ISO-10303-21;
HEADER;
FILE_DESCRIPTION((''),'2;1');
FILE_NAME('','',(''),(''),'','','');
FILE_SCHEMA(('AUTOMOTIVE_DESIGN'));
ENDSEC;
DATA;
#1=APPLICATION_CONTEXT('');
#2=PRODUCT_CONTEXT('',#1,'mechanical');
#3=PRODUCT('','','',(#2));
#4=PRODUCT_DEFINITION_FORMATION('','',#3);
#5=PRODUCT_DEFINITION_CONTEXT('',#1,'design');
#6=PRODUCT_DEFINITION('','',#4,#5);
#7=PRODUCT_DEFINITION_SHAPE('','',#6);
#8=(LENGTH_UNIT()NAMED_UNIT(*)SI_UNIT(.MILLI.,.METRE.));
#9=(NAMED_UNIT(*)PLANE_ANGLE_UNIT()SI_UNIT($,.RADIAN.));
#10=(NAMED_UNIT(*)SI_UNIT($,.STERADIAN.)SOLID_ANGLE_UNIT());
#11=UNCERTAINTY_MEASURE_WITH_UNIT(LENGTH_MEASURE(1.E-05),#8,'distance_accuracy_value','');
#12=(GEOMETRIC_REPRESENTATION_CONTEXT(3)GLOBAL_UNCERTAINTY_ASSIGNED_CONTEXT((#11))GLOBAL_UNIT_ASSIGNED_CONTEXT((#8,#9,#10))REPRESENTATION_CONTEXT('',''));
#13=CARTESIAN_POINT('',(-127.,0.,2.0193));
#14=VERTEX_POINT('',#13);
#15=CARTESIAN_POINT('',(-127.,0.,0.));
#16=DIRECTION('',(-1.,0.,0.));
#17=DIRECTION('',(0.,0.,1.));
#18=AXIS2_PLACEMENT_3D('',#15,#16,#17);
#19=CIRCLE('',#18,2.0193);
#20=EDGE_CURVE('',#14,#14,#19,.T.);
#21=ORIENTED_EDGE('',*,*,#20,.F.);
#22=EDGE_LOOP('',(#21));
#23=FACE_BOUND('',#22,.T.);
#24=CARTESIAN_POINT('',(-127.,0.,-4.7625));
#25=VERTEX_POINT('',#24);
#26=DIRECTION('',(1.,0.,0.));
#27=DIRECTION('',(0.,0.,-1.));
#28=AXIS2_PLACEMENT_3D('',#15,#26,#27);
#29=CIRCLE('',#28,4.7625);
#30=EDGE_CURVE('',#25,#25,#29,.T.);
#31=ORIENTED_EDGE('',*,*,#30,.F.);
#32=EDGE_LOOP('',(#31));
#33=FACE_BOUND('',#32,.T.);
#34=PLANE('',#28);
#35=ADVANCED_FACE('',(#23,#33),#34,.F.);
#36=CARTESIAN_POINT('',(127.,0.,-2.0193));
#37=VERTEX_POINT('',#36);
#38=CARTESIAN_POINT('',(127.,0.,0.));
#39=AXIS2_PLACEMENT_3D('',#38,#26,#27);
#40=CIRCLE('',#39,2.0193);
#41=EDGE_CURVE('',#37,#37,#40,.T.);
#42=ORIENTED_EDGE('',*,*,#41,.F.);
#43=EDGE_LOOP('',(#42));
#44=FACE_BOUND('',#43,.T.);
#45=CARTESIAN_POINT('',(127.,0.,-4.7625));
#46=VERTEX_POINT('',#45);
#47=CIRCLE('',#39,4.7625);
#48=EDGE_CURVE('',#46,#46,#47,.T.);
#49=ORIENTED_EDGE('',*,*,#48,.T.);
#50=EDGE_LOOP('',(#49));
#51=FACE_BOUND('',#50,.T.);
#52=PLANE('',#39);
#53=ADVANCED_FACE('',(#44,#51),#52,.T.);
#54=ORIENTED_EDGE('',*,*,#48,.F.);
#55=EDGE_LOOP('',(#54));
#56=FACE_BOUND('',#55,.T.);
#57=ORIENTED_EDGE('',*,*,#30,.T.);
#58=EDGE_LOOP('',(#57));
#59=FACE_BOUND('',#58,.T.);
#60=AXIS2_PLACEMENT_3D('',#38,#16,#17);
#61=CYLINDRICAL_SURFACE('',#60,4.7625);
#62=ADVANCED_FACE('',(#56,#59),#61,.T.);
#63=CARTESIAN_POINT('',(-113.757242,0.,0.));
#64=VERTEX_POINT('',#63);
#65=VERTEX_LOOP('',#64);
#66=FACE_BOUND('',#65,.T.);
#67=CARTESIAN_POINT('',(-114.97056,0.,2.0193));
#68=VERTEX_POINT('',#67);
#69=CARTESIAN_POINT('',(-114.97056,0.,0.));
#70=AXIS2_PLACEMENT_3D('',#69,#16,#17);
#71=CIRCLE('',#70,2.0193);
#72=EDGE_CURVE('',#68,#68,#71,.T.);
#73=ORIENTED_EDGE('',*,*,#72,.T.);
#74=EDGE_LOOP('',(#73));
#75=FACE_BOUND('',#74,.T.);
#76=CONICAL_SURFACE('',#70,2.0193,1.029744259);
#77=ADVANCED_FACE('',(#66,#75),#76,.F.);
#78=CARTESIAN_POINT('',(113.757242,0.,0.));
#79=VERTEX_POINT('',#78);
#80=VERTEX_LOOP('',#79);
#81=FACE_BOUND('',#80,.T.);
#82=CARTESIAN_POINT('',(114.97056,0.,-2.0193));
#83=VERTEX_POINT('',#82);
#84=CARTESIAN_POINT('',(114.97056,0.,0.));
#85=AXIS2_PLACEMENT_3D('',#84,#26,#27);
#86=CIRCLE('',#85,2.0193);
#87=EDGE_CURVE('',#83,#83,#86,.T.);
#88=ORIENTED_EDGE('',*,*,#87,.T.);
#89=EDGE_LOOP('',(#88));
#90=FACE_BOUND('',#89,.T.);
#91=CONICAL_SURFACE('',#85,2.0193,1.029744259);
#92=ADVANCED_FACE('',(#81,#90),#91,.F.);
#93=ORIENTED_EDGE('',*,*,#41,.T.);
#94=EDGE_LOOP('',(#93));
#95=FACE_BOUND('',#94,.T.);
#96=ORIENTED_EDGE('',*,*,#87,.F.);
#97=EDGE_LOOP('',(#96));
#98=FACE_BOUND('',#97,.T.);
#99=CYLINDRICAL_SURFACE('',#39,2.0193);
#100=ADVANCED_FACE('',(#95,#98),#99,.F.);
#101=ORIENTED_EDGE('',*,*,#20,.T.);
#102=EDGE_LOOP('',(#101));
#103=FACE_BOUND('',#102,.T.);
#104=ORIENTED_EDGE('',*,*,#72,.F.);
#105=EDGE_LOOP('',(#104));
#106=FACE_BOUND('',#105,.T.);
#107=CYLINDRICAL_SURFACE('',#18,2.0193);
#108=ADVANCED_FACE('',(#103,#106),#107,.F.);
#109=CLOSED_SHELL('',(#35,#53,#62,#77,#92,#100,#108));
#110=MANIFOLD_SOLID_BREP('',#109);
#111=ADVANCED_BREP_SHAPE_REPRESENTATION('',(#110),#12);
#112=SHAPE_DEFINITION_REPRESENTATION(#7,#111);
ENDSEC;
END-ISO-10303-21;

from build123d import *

# Parameters (mm, degrees)
SKETCH1_R                            = 4.7625
BOSS_EXTRUDE1_DEPTH                  = 127
F_10_32_TAPPED_HOLE1_D               = 4.0386
F_10_32_TAPPED_HOLE1_DEPTH           = 12.02944
F_10_32_TAPPED_HOLE1_TIP             = 1.213317848
F_10_32_TAPPED_HOLE1_ON_FACE_2_D     = 4.0386
F_10_32_TAPPED_HOLE1_ON_FACE_2_DEPTH = 12.02944
F_10_32_TAPPED_HOLE1_ON_FACE_2_TIP   = 1.213317848


with BuildPart() as part:
    # Sketch1 → Boss-Extrude1 (new, symmetric)
    with BuildSketch(Plane(origin=(0, 0, 0), x_dir=(0, 0, -1), z_dir=(1, 0, 0))):
        Circle(SKETCH1_R)
    extrude(amount=BOSS_EXTRUDE1_DEPTH, both=True)

    # #10-32 Tapped Hole1
    with Locations(Plane(origin=(127, 0, 0), x_dir=(0, 0, 1), z_dir=(1, 0, 0))):
        with Locations((0, 0)):
            Hole(F_10_32_TAPPED_HOLE1_D / 2, depth=F_10_32_TAPPED_HOLE1_DEPTH)
            with Locations((0, 0, -(F_10_32_TAPPED_HOLE1_DEPTH + F_10_32_TAPPED_HOLE1_TIP / 2))):  # 118° drill point
                Cone(0, F_10_32_TAPPED_HOLE1_D / 2, F_10_32_TAPPED_HOLE1_TIP, mode=Mode.SUBTRACT)

    # #10-32 Tapped Hole1 on face 2
    with Locations(Plane(origin=(-127, 0, 0), x_dir=(0, 0, -1), z_dir=(-1, 0, 0))):
        with Locations((0, 0)):
            Hole(F_10_32_TAPPED_HOLE1_ON_FACE_2_D / 2, depth=F_10_32_TAPPED_HOLE1_ON_FACE_2_DEPTH)
            with Locations((0, 0, -(F_10_32_TAPPED_HOLE1_ON_FACE_2_DEPTH + F_10_32_TAPPED_HOLE1_ON_FACE_2_TIP / 2))):  # 118° drill point
                Cone(0, F_10_32_TAPPED_HOLE1_ON_FACE_2_D / 2, F_10_32_TAPPED_HOLE1_ON_FACE_2_TIP, mode=Mode.SUBTRACT)


solid = part.part
